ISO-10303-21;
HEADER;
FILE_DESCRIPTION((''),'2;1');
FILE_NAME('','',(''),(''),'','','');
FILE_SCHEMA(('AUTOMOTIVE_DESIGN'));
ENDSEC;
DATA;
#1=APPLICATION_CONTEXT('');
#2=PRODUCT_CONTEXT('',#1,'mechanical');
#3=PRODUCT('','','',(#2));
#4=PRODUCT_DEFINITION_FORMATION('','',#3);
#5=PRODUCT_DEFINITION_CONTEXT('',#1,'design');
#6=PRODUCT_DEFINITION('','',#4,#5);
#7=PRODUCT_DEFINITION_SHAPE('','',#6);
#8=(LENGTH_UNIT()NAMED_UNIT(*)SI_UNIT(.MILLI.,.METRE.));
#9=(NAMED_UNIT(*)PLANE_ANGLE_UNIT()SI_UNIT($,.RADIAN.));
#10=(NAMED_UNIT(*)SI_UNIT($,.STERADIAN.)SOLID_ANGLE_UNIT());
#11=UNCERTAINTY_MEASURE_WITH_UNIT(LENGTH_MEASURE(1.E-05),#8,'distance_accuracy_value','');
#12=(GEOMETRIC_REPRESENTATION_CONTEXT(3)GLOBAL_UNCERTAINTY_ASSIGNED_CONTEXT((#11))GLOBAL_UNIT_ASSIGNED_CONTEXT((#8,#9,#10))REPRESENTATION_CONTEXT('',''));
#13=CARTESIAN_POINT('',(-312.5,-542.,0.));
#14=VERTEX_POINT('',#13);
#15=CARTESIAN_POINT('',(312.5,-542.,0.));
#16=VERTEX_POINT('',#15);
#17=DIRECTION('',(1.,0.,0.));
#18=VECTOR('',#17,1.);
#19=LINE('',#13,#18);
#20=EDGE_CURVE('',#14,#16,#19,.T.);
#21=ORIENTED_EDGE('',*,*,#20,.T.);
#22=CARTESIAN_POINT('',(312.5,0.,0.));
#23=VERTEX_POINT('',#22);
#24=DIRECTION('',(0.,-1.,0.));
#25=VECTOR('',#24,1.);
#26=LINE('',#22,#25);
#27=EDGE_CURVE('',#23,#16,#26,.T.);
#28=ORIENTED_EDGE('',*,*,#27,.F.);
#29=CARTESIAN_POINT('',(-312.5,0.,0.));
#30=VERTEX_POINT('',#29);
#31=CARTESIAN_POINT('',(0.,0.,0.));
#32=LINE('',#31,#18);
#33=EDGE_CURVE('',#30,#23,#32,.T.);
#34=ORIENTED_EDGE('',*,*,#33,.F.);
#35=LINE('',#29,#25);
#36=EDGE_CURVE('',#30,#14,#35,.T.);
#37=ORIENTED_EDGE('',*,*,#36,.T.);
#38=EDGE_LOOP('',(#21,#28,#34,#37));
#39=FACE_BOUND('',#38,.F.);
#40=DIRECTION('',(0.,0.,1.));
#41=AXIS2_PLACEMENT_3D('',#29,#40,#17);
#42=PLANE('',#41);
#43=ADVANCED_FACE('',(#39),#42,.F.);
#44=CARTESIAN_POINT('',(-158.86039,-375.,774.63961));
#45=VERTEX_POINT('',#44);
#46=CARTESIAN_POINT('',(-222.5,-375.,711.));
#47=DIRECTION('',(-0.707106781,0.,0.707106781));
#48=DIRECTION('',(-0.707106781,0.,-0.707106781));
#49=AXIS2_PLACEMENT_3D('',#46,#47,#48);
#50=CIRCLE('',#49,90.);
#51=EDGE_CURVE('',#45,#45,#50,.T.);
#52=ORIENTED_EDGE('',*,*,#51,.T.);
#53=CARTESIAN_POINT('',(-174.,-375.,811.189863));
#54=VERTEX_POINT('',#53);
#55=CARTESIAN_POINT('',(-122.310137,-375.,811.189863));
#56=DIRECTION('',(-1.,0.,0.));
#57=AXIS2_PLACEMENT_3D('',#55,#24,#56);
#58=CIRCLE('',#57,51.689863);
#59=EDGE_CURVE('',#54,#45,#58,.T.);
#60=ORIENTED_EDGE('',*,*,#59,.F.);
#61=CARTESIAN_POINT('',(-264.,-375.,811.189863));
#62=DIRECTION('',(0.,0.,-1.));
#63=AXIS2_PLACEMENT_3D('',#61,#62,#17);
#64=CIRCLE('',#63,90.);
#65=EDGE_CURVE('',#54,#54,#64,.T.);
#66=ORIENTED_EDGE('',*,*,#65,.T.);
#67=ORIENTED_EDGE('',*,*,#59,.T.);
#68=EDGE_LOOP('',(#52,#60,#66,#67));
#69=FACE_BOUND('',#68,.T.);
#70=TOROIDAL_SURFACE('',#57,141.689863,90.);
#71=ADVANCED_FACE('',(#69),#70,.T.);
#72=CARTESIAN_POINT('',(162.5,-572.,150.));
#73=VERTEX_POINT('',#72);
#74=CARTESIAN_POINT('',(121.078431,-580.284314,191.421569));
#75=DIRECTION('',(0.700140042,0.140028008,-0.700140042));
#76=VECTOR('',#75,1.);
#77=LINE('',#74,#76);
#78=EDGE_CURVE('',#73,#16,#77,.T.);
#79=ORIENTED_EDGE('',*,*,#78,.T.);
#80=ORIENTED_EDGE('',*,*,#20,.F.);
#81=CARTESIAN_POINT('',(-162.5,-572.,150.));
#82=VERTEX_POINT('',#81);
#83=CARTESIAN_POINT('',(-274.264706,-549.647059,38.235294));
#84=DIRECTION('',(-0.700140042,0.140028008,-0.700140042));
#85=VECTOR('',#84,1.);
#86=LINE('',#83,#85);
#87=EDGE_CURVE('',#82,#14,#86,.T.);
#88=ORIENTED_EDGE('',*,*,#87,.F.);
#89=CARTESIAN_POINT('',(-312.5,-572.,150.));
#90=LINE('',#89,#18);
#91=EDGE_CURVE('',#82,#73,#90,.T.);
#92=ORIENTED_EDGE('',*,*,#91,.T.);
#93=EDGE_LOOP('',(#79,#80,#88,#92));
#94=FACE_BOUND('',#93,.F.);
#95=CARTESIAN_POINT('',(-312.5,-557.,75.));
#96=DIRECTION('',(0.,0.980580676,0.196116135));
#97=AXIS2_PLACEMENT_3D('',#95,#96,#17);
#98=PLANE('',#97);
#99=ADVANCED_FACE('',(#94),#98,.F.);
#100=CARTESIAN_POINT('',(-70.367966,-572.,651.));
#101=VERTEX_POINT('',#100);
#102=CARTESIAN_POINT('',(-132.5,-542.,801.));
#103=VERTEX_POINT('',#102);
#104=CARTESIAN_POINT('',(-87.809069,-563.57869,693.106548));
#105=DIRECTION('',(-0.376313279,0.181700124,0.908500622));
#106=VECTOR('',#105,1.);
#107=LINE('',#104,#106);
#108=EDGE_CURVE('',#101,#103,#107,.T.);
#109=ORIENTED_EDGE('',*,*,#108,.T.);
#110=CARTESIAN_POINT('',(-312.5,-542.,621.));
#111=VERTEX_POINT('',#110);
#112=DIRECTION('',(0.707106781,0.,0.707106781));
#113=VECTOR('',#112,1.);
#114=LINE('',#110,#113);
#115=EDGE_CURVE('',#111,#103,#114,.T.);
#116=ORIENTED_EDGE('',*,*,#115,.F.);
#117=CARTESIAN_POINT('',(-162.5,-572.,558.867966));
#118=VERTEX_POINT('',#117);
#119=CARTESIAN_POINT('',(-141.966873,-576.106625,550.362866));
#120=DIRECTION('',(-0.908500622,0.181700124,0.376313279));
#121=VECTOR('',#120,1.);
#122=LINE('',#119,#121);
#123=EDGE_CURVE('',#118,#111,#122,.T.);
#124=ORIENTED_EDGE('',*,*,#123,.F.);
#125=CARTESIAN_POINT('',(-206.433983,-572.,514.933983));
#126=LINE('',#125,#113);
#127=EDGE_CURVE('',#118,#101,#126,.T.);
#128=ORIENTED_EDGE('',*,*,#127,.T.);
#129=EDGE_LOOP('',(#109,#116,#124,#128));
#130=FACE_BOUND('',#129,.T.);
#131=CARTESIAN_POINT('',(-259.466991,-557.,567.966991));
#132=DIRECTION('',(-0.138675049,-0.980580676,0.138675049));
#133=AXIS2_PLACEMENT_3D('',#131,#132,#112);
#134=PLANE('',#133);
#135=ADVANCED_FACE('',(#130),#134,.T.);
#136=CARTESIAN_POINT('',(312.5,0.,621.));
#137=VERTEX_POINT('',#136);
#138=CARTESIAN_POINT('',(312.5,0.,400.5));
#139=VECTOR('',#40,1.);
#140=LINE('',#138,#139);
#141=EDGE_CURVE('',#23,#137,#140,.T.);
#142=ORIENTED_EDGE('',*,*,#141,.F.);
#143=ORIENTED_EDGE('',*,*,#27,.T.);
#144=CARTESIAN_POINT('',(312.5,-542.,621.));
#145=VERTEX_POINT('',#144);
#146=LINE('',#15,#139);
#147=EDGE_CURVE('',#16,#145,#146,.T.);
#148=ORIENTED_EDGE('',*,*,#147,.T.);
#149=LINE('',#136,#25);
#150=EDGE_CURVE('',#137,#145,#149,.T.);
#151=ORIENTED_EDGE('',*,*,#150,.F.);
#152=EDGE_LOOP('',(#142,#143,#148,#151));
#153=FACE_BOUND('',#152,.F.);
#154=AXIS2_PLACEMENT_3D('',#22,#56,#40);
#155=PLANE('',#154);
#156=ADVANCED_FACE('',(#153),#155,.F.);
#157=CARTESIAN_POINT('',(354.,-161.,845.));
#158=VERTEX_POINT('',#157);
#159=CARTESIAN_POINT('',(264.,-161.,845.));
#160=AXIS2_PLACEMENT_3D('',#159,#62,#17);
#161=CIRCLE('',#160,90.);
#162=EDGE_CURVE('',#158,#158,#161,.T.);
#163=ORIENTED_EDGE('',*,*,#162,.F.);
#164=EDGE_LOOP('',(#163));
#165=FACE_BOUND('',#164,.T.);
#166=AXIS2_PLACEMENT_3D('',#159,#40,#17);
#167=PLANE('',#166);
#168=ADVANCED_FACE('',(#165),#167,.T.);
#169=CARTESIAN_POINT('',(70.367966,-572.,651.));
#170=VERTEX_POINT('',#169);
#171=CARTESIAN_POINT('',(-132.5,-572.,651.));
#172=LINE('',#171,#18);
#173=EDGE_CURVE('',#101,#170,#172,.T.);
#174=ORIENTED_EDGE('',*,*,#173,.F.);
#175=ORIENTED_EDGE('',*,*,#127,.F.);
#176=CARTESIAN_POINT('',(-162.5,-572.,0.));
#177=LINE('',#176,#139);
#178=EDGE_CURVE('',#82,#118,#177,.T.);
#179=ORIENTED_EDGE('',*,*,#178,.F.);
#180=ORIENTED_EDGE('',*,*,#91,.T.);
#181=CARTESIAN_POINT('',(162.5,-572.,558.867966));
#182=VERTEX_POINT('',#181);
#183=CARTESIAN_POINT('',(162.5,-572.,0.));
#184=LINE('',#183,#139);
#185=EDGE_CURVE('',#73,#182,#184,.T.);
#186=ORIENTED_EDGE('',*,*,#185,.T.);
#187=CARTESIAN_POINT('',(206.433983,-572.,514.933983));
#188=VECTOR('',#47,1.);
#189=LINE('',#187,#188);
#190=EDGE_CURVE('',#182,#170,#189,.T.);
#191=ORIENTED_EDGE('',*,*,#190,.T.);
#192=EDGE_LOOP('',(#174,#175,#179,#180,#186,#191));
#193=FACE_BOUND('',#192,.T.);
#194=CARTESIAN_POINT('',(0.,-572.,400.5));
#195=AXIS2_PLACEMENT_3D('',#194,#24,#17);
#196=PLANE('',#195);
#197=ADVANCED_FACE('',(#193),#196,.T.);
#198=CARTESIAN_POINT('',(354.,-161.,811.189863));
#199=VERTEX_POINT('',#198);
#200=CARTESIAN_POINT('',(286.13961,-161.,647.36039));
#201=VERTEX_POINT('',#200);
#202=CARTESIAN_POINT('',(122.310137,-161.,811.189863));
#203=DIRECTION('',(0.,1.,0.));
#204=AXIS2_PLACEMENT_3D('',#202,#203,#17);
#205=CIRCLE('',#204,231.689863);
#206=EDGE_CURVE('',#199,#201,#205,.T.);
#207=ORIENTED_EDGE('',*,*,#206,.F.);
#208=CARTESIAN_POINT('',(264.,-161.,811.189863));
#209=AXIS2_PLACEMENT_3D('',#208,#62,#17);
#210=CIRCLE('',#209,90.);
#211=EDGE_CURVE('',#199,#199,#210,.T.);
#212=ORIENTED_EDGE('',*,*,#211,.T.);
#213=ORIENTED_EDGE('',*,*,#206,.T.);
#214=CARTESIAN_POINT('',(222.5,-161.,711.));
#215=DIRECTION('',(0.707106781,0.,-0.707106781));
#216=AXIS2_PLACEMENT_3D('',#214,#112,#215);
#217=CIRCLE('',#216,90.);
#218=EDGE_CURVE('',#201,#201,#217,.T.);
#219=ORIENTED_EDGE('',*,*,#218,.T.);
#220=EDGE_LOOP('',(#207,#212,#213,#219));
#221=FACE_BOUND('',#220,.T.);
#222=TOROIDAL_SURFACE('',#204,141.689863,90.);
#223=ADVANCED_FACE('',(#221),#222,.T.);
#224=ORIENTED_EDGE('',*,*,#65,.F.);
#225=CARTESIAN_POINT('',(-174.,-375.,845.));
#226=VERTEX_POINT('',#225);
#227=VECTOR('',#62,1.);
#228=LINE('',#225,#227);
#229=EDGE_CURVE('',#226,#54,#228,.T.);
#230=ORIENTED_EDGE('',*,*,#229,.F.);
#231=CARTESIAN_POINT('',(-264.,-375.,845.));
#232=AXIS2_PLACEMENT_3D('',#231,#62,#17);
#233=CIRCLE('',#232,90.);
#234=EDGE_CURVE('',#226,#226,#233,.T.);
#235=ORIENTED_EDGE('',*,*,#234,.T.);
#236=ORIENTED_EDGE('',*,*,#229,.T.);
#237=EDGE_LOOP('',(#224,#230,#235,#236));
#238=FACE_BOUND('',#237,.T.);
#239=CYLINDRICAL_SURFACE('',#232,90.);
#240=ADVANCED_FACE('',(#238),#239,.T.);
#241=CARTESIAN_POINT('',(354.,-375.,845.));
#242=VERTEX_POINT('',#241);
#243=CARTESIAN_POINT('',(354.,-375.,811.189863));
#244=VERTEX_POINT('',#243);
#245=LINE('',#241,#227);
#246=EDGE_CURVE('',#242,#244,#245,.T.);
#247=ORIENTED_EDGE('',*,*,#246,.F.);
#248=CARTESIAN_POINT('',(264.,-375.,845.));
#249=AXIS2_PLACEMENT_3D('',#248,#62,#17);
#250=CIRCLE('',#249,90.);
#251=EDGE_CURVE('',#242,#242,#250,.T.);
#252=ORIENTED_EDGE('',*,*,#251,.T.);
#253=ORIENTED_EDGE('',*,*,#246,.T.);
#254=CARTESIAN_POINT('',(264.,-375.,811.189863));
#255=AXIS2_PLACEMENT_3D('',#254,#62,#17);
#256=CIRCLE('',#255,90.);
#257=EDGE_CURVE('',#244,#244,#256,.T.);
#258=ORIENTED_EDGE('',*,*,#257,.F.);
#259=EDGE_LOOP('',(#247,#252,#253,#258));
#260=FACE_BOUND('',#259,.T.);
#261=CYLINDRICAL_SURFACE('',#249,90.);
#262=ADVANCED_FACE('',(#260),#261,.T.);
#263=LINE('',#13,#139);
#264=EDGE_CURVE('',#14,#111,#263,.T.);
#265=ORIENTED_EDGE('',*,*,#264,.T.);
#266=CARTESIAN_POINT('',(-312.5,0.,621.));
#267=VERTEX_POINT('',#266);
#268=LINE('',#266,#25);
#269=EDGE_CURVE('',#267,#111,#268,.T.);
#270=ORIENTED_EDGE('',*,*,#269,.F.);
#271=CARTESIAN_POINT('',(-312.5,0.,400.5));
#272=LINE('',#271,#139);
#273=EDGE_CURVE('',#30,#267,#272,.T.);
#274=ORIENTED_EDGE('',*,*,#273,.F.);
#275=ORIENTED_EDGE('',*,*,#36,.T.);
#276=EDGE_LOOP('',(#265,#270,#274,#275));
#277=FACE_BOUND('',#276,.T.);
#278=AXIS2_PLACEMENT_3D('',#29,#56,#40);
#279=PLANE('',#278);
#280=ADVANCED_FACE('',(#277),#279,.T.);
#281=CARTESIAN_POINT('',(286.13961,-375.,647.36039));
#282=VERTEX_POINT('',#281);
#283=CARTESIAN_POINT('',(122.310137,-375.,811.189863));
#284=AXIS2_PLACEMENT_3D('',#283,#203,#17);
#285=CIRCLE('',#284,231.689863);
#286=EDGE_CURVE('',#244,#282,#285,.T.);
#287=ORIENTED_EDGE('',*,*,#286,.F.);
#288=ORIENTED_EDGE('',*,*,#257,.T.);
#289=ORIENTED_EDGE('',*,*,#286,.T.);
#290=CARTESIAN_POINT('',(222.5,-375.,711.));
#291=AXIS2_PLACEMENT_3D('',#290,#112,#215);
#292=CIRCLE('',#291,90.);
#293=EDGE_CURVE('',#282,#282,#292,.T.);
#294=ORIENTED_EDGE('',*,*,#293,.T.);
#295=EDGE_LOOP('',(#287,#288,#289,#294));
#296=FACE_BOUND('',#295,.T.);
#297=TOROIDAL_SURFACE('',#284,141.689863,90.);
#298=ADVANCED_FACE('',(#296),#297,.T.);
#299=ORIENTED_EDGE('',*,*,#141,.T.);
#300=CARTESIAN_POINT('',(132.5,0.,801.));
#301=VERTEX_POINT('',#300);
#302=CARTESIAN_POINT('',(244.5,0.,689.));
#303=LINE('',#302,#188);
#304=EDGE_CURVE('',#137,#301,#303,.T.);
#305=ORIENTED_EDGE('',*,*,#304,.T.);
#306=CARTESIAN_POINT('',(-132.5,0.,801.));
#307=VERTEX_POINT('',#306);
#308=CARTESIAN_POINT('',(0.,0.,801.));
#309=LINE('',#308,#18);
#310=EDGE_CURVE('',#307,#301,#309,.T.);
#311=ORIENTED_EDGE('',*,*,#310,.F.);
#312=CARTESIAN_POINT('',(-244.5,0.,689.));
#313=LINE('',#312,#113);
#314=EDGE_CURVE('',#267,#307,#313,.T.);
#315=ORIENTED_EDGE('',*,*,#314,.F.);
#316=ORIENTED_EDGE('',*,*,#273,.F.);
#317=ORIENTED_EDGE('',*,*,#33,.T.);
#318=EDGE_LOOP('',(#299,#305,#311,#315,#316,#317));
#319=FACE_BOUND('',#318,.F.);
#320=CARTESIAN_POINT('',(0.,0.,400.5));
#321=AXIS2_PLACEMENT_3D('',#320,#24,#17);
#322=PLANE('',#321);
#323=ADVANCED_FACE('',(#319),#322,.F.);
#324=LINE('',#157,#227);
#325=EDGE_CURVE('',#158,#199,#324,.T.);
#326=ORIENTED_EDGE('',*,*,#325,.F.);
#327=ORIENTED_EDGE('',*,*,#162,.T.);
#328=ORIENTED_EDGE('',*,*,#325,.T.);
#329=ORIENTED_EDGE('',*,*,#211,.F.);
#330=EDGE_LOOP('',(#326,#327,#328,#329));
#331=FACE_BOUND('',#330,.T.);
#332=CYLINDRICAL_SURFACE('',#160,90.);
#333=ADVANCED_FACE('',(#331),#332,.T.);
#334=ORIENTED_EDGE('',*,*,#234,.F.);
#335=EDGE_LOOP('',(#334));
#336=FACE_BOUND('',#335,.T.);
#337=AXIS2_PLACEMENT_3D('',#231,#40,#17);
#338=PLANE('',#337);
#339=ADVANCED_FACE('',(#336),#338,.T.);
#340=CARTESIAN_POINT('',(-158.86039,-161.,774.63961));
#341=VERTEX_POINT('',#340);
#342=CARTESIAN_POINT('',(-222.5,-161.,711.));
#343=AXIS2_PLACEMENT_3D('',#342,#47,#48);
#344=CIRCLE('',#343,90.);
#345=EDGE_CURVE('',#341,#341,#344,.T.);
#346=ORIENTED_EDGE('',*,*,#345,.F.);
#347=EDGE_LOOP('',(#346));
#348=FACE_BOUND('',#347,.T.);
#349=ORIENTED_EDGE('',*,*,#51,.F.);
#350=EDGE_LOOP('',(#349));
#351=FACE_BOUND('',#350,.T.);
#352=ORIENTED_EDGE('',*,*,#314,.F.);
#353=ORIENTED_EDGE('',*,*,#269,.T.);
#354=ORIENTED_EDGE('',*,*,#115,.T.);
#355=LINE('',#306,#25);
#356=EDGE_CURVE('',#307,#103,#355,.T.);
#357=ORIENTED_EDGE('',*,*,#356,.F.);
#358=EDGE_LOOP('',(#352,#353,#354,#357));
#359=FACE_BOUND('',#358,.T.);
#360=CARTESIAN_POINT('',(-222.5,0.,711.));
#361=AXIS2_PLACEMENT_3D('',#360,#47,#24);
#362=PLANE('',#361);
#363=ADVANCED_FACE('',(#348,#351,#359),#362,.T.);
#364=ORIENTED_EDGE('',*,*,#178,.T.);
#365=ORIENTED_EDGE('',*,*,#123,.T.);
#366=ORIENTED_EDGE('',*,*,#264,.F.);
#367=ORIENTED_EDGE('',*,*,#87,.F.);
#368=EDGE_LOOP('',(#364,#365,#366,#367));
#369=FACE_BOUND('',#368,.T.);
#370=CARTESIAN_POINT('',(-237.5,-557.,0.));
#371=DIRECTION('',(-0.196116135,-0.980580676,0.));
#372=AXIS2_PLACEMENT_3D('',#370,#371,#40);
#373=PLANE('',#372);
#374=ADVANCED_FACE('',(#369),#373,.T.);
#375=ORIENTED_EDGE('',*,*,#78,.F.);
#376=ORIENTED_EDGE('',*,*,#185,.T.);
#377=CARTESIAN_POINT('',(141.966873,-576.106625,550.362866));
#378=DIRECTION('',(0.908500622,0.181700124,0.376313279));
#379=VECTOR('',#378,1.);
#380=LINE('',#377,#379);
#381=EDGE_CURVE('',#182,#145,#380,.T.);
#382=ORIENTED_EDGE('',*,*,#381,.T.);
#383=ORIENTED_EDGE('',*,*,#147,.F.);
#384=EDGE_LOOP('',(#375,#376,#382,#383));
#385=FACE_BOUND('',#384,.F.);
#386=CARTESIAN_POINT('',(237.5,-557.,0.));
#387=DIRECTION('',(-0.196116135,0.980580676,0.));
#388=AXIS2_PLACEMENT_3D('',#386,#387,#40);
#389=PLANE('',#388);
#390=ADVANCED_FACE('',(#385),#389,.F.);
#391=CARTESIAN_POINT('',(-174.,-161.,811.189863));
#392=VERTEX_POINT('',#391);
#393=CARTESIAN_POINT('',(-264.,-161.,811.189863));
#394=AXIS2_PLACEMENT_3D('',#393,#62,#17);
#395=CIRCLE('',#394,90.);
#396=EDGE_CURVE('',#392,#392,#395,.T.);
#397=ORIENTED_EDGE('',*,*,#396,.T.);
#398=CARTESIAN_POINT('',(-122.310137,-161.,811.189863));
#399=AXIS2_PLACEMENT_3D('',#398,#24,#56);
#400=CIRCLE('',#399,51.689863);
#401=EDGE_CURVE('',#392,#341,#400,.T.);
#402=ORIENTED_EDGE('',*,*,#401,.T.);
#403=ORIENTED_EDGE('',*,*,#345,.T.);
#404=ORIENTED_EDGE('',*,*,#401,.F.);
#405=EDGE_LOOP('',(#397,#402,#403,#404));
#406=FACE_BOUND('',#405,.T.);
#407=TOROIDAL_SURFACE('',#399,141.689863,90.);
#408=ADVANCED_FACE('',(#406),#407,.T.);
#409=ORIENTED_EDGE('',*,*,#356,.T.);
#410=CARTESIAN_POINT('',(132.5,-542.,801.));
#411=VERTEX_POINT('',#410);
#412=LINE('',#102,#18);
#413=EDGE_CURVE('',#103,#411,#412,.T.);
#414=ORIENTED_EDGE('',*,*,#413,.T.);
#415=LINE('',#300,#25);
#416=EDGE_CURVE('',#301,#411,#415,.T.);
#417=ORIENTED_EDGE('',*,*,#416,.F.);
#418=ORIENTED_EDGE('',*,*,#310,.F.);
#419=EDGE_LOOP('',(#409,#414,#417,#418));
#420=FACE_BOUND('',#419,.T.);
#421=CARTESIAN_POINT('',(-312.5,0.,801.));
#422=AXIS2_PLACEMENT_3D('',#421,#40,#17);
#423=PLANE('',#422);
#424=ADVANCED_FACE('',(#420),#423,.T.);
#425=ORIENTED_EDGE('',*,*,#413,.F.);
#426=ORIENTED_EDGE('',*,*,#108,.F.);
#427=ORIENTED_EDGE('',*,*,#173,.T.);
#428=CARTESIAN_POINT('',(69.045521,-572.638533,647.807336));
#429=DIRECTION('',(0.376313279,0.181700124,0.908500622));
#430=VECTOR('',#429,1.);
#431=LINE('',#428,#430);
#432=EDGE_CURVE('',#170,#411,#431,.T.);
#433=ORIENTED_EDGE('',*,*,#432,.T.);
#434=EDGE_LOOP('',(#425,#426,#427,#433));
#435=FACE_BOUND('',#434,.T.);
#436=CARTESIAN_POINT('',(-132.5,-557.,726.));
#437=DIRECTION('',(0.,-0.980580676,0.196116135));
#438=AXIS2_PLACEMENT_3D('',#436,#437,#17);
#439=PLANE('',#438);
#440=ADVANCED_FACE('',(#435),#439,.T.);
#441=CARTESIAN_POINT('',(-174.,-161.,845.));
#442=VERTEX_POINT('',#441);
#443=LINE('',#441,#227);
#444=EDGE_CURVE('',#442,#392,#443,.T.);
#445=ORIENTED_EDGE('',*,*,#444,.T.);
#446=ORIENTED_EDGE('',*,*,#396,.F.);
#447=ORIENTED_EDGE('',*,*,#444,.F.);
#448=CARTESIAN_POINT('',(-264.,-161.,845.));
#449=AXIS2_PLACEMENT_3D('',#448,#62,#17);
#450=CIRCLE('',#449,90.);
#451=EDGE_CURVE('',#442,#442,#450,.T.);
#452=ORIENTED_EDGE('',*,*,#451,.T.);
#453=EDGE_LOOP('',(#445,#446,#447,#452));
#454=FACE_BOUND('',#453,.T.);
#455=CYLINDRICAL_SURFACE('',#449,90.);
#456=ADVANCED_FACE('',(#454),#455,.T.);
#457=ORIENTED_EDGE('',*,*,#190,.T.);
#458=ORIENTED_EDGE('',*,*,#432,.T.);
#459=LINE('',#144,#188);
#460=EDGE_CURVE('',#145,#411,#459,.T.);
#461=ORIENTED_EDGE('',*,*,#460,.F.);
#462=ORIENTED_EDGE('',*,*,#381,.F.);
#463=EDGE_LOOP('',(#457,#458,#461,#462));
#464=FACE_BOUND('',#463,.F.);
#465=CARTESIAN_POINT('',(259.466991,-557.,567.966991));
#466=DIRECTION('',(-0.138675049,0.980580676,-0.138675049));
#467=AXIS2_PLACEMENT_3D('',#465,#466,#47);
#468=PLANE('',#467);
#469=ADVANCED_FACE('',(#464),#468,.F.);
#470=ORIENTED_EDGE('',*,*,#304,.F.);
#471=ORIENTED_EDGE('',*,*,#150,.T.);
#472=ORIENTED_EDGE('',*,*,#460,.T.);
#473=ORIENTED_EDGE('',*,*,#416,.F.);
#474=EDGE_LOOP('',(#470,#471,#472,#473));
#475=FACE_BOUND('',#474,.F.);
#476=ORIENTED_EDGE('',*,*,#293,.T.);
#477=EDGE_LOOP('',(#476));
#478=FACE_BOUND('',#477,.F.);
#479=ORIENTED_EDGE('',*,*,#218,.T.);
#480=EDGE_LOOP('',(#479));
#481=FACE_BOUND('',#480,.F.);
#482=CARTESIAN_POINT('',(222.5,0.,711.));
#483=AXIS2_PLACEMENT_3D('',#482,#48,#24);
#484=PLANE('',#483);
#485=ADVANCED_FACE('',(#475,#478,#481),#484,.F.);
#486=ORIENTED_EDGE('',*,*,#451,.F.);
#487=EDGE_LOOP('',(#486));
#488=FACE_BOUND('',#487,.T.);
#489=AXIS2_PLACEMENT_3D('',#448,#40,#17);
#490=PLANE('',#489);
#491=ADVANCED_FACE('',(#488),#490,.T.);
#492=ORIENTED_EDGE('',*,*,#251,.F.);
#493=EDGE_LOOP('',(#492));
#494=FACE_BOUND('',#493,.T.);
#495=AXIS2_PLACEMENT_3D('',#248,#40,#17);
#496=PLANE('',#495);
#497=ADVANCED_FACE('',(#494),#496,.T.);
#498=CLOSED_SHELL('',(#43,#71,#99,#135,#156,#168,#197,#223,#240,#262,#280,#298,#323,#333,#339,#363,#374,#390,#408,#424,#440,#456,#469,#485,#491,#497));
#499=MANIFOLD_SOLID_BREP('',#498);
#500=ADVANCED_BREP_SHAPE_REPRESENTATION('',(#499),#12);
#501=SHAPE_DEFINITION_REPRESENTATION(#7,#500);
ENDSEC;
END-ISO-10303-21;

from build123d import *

# Parameters (mm, degrees)
F0_W     = 625
F0_H     = 801
F1_DEPTH = 572
F2_SIZE  = 180
F4_R     = 90
F8_SIZE2 = 30
F8_SIZE  = 150


with BuildPart() as f1:
    # F0 (on Front) → F1 (new body)
    with BuildSketch(Plane.XZ):
        with Locations((0, 400.5)):
            Rectangle(F0_W, F0_H)
    extrude(amount=F1_DEPTH)

    # F2
    f2_edges = [f1.edges().sort_by_distance(p)[0] for p in [
        (-312.5, -286, 801),
        (312.5, -286, 801),
    ]]
    chamfer(f2_edges, length=F2_SIZE)

    # F6: sweep along a path in F5
    with BuildLine(Plane(origin=(0, 0, 0), x_dir=(-1, 0, 0), z_dir=(0, 1, 0))) as f6_path:
        Line((-264, 845), (-264, 811.1898628385))
        ThreePointArc((-264, 811.1898628385), (-253.2145014023, 756.9674997961), (-222.5, 711))
    # F4 (on offset) → F6 (sweep)
    with BuildSketch(Plane.XY.offset(845)):
        with Locations((264, -161)):
            Circle(F4_R)
        with Locations((264, -375)):
            Circle(F4_R)
    sweep(path=f6_path.line)

    # F7: sweep along a path in F5
    with BuildLine(Plane(origin=(0, 0, 0), x_dir=(-1, 0, 0), z_dir=(0, 1, 0))) as f7_path:
        Line((264, 845), (264, 811.1898628385))
        ThreePointArc((264, 811.1898628385), (253.2145014023, 756.9674997961), (222.5, 711))
    # F4 (on offset) → F7 (sweep)
    with BuildSketch(Plane.XY.offset(845)):
        with Locations((-264, -375)):
            Circle(F4_R)
        with Locations((-264, -161)):
            Circle(F4_R)
    sweep(path=f7_path.line)

    # F8
    f8_edges = [f1.edges().sort_by_distance(p)[0] for p in [
        (-312.5, -572, 310.5),
        (-222.5, -572, 711),
        (0, -572, 0),
        (0, -572, 801),
        (312.5, -572, 310.5),
        (222.5, -572, 711),
    ]]
    f8_side = f1.faces().sort_by_distance((0, -572, 376.938251))[0]
    chamfer(f8_edges, length=F8_SIZE, length2=F8_SIZE2, reference=f8_side)


solid = f1.part
